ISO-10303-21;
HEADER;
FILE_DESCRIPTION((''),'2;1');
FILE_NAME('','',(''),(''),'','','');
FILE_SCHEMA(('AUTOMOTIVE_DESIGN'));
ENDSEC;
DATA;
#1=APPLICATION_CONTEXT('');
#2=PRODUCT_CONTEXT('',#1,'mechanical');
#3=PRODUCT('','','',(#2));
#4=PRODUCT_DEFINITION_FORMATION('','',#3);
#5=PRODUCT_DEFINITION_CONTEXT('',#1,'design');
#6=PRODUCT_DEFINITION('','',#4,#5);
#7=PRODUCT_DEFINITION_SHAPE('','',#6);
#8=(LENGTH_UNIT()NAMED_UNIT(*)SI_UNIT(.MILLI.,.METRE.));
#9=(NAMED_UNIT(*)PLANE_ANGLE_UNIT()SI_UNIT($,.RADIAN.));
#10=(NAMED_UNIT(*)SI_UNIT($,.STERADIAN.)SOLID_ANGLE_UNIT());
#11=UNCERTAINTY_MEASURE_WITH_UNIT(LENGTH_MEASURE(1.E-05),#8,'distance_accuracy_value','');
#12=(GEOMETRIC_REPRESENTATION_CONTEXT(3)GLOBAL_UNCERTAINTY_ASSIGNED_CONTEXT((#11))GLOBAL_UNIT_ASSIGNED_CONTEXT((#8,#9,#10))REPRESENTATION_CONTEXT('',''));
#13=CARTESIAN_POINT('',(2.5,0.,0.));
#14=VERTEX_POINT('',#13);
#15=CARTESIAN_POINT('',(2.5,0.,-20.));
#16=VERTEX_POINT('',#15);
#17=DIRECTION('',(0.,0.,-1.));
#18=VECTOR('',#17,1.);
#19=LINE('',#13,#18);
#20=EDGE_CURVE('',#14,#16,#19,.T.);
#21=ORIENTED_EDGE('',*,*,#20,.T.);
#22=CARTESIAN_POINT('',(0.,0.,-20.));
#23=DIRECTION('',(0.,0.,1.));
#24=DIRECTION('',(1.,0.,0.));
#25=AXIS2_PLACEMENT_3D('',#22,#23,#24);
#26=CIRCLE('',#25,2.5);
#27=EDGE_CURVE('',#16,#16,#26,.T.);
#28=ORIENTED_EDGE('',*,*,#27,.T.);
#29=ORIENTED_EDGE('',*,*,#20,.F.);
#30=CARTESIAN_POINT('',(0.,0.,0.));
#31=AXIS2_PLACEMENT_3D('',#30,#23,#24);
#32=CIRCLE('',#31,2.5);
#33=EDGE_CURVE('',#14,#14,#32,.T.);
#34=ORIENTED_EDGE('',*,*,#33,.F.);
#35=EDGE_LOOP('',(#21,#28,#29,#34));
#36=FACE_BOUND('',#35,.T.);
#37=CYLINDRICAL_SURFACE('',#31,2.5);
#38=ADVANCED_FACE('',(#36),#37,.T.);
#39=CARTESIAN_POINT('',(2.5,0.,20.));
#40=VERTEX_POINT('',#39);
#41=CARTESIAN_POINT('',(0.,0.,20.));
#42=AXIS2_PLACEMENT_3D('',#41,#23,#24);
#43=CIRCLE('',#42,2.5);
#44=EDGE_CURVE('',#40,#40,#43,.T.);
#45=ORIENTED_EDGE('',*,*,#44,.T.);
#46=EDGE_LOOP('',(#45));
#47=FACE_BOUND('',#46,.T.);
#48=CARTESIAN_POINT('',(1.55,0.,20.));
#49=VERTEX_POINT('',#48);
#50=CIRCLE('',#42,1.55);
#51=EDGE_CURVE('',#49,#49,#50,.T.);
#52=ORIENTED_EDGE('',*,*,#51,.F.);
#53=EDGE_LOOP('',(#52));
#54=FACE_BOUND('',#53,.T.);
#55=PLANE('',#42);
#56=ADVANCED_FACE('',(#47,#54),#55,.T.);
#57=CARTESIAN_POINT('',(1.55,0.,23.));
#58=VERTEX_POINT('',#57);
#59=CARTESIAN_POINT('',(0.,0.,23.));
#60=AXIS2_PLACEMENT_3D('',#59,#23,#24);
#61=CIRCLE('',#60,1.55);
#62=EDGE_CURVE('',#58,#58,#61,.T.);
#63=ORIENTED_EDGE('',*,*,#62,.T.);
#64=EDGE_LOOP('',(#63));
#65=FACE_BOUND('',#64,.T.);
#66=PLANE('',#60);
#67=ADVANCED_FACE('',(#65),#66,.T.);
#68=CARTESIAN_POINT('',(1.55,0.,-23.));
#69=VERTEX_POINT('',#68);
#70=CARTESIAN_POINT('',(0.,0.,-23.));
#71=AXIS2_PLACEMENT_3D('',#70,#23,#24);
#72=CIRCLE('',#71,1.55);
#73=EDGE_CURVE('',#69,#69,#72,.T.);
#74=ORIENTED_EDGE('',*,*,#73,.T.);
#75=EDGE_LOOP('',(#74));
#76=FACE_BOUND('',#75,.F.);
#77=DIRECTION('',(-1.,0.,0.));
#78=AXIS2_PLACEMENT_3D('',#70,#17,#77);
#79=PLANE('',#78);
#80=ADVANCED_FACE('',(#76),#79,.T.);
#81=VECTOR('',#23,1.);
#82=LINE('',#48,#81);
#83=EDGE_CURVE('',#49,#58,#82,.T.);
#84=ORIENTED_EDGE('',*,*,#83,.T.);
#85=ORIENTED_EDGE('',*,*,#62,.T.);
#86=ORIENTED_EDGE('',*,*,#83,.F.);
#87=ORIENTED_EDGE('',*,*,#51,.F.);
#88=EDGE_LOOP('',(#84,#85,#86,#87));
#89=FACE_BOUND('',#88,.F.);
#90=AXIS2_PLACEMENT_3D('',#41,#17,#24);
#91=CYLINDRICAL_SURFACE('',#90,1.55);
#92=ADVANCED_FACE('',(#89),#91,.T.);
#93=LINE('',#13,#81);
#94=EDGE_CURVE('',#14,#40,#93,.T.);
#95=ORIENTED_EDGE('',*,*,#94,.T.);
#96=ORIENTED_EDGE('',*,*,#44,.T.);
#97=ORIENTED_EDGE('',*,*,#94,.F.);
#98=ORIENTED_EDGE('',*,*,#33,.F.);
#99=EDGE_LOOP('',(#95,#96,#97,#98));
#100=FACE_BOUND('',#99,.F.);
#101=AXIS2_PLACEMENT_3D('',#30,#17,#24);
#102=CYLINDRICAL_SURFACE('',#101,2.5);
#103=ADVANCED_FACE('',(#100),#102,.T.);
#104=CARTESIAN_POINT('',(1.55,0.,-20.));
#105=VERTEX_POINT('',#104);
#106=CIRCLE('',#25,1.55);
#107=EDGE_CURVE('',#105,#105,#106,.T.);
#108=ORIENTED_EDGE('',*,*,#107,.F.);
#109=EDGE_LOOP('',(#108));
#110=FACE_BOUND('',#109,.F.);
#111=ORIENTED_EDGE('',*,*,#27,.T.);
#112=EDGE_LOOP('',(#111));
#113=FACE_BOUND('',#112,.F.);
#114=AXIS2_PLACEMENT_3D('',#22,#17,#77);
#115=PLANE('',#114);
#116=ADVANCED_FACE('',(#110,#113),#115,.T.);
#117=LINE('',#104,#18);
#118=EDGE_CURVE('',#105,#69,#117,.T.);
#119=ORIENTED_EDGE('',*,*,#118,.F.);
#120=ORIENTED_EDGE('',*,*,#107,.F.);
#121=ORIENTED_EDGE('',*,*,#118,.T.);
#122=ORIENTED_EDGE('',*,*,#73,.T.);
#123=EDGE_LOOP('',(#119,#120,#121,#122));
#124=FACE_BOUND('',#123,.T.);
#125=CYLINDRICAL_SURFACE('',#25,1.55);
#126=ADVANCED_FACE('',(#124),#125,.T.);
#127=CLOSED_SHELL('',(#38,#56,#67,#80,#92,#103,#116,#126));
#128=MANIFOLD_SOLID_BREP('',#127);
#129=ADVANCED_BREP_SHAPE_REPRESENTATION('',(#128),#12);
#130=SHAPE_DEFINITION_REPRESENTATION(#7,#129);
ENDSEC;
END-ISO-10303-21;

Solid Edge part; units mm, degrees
sketch "Sketch1" plane through (0, 0, 0) normal (0, 0, 1) x (1, 0, 0)
  circle A0 centre (0, 0) radius 2.5
  dimension "D1" = 5
extrude "Ajout_matière_1" add sketch "Sketch1" along normal blind 20
sketch "Sketch2" plane through (0, 0, 20) normal (0, 0, 1) x (1, 0, 0)
  circle A0 centre (0, 0) radius 1.55
  dimension "D1" = 3.1
extrude "Ajout_matière_2" add sketch "Sketch2" along normal blind 3
mirror "Mirror1" about plane through (0, 0, 0) normal (0, 0, 1) of "Ajout_matière_1", "Ajout_matière_2"
properties material "Acier S235"
